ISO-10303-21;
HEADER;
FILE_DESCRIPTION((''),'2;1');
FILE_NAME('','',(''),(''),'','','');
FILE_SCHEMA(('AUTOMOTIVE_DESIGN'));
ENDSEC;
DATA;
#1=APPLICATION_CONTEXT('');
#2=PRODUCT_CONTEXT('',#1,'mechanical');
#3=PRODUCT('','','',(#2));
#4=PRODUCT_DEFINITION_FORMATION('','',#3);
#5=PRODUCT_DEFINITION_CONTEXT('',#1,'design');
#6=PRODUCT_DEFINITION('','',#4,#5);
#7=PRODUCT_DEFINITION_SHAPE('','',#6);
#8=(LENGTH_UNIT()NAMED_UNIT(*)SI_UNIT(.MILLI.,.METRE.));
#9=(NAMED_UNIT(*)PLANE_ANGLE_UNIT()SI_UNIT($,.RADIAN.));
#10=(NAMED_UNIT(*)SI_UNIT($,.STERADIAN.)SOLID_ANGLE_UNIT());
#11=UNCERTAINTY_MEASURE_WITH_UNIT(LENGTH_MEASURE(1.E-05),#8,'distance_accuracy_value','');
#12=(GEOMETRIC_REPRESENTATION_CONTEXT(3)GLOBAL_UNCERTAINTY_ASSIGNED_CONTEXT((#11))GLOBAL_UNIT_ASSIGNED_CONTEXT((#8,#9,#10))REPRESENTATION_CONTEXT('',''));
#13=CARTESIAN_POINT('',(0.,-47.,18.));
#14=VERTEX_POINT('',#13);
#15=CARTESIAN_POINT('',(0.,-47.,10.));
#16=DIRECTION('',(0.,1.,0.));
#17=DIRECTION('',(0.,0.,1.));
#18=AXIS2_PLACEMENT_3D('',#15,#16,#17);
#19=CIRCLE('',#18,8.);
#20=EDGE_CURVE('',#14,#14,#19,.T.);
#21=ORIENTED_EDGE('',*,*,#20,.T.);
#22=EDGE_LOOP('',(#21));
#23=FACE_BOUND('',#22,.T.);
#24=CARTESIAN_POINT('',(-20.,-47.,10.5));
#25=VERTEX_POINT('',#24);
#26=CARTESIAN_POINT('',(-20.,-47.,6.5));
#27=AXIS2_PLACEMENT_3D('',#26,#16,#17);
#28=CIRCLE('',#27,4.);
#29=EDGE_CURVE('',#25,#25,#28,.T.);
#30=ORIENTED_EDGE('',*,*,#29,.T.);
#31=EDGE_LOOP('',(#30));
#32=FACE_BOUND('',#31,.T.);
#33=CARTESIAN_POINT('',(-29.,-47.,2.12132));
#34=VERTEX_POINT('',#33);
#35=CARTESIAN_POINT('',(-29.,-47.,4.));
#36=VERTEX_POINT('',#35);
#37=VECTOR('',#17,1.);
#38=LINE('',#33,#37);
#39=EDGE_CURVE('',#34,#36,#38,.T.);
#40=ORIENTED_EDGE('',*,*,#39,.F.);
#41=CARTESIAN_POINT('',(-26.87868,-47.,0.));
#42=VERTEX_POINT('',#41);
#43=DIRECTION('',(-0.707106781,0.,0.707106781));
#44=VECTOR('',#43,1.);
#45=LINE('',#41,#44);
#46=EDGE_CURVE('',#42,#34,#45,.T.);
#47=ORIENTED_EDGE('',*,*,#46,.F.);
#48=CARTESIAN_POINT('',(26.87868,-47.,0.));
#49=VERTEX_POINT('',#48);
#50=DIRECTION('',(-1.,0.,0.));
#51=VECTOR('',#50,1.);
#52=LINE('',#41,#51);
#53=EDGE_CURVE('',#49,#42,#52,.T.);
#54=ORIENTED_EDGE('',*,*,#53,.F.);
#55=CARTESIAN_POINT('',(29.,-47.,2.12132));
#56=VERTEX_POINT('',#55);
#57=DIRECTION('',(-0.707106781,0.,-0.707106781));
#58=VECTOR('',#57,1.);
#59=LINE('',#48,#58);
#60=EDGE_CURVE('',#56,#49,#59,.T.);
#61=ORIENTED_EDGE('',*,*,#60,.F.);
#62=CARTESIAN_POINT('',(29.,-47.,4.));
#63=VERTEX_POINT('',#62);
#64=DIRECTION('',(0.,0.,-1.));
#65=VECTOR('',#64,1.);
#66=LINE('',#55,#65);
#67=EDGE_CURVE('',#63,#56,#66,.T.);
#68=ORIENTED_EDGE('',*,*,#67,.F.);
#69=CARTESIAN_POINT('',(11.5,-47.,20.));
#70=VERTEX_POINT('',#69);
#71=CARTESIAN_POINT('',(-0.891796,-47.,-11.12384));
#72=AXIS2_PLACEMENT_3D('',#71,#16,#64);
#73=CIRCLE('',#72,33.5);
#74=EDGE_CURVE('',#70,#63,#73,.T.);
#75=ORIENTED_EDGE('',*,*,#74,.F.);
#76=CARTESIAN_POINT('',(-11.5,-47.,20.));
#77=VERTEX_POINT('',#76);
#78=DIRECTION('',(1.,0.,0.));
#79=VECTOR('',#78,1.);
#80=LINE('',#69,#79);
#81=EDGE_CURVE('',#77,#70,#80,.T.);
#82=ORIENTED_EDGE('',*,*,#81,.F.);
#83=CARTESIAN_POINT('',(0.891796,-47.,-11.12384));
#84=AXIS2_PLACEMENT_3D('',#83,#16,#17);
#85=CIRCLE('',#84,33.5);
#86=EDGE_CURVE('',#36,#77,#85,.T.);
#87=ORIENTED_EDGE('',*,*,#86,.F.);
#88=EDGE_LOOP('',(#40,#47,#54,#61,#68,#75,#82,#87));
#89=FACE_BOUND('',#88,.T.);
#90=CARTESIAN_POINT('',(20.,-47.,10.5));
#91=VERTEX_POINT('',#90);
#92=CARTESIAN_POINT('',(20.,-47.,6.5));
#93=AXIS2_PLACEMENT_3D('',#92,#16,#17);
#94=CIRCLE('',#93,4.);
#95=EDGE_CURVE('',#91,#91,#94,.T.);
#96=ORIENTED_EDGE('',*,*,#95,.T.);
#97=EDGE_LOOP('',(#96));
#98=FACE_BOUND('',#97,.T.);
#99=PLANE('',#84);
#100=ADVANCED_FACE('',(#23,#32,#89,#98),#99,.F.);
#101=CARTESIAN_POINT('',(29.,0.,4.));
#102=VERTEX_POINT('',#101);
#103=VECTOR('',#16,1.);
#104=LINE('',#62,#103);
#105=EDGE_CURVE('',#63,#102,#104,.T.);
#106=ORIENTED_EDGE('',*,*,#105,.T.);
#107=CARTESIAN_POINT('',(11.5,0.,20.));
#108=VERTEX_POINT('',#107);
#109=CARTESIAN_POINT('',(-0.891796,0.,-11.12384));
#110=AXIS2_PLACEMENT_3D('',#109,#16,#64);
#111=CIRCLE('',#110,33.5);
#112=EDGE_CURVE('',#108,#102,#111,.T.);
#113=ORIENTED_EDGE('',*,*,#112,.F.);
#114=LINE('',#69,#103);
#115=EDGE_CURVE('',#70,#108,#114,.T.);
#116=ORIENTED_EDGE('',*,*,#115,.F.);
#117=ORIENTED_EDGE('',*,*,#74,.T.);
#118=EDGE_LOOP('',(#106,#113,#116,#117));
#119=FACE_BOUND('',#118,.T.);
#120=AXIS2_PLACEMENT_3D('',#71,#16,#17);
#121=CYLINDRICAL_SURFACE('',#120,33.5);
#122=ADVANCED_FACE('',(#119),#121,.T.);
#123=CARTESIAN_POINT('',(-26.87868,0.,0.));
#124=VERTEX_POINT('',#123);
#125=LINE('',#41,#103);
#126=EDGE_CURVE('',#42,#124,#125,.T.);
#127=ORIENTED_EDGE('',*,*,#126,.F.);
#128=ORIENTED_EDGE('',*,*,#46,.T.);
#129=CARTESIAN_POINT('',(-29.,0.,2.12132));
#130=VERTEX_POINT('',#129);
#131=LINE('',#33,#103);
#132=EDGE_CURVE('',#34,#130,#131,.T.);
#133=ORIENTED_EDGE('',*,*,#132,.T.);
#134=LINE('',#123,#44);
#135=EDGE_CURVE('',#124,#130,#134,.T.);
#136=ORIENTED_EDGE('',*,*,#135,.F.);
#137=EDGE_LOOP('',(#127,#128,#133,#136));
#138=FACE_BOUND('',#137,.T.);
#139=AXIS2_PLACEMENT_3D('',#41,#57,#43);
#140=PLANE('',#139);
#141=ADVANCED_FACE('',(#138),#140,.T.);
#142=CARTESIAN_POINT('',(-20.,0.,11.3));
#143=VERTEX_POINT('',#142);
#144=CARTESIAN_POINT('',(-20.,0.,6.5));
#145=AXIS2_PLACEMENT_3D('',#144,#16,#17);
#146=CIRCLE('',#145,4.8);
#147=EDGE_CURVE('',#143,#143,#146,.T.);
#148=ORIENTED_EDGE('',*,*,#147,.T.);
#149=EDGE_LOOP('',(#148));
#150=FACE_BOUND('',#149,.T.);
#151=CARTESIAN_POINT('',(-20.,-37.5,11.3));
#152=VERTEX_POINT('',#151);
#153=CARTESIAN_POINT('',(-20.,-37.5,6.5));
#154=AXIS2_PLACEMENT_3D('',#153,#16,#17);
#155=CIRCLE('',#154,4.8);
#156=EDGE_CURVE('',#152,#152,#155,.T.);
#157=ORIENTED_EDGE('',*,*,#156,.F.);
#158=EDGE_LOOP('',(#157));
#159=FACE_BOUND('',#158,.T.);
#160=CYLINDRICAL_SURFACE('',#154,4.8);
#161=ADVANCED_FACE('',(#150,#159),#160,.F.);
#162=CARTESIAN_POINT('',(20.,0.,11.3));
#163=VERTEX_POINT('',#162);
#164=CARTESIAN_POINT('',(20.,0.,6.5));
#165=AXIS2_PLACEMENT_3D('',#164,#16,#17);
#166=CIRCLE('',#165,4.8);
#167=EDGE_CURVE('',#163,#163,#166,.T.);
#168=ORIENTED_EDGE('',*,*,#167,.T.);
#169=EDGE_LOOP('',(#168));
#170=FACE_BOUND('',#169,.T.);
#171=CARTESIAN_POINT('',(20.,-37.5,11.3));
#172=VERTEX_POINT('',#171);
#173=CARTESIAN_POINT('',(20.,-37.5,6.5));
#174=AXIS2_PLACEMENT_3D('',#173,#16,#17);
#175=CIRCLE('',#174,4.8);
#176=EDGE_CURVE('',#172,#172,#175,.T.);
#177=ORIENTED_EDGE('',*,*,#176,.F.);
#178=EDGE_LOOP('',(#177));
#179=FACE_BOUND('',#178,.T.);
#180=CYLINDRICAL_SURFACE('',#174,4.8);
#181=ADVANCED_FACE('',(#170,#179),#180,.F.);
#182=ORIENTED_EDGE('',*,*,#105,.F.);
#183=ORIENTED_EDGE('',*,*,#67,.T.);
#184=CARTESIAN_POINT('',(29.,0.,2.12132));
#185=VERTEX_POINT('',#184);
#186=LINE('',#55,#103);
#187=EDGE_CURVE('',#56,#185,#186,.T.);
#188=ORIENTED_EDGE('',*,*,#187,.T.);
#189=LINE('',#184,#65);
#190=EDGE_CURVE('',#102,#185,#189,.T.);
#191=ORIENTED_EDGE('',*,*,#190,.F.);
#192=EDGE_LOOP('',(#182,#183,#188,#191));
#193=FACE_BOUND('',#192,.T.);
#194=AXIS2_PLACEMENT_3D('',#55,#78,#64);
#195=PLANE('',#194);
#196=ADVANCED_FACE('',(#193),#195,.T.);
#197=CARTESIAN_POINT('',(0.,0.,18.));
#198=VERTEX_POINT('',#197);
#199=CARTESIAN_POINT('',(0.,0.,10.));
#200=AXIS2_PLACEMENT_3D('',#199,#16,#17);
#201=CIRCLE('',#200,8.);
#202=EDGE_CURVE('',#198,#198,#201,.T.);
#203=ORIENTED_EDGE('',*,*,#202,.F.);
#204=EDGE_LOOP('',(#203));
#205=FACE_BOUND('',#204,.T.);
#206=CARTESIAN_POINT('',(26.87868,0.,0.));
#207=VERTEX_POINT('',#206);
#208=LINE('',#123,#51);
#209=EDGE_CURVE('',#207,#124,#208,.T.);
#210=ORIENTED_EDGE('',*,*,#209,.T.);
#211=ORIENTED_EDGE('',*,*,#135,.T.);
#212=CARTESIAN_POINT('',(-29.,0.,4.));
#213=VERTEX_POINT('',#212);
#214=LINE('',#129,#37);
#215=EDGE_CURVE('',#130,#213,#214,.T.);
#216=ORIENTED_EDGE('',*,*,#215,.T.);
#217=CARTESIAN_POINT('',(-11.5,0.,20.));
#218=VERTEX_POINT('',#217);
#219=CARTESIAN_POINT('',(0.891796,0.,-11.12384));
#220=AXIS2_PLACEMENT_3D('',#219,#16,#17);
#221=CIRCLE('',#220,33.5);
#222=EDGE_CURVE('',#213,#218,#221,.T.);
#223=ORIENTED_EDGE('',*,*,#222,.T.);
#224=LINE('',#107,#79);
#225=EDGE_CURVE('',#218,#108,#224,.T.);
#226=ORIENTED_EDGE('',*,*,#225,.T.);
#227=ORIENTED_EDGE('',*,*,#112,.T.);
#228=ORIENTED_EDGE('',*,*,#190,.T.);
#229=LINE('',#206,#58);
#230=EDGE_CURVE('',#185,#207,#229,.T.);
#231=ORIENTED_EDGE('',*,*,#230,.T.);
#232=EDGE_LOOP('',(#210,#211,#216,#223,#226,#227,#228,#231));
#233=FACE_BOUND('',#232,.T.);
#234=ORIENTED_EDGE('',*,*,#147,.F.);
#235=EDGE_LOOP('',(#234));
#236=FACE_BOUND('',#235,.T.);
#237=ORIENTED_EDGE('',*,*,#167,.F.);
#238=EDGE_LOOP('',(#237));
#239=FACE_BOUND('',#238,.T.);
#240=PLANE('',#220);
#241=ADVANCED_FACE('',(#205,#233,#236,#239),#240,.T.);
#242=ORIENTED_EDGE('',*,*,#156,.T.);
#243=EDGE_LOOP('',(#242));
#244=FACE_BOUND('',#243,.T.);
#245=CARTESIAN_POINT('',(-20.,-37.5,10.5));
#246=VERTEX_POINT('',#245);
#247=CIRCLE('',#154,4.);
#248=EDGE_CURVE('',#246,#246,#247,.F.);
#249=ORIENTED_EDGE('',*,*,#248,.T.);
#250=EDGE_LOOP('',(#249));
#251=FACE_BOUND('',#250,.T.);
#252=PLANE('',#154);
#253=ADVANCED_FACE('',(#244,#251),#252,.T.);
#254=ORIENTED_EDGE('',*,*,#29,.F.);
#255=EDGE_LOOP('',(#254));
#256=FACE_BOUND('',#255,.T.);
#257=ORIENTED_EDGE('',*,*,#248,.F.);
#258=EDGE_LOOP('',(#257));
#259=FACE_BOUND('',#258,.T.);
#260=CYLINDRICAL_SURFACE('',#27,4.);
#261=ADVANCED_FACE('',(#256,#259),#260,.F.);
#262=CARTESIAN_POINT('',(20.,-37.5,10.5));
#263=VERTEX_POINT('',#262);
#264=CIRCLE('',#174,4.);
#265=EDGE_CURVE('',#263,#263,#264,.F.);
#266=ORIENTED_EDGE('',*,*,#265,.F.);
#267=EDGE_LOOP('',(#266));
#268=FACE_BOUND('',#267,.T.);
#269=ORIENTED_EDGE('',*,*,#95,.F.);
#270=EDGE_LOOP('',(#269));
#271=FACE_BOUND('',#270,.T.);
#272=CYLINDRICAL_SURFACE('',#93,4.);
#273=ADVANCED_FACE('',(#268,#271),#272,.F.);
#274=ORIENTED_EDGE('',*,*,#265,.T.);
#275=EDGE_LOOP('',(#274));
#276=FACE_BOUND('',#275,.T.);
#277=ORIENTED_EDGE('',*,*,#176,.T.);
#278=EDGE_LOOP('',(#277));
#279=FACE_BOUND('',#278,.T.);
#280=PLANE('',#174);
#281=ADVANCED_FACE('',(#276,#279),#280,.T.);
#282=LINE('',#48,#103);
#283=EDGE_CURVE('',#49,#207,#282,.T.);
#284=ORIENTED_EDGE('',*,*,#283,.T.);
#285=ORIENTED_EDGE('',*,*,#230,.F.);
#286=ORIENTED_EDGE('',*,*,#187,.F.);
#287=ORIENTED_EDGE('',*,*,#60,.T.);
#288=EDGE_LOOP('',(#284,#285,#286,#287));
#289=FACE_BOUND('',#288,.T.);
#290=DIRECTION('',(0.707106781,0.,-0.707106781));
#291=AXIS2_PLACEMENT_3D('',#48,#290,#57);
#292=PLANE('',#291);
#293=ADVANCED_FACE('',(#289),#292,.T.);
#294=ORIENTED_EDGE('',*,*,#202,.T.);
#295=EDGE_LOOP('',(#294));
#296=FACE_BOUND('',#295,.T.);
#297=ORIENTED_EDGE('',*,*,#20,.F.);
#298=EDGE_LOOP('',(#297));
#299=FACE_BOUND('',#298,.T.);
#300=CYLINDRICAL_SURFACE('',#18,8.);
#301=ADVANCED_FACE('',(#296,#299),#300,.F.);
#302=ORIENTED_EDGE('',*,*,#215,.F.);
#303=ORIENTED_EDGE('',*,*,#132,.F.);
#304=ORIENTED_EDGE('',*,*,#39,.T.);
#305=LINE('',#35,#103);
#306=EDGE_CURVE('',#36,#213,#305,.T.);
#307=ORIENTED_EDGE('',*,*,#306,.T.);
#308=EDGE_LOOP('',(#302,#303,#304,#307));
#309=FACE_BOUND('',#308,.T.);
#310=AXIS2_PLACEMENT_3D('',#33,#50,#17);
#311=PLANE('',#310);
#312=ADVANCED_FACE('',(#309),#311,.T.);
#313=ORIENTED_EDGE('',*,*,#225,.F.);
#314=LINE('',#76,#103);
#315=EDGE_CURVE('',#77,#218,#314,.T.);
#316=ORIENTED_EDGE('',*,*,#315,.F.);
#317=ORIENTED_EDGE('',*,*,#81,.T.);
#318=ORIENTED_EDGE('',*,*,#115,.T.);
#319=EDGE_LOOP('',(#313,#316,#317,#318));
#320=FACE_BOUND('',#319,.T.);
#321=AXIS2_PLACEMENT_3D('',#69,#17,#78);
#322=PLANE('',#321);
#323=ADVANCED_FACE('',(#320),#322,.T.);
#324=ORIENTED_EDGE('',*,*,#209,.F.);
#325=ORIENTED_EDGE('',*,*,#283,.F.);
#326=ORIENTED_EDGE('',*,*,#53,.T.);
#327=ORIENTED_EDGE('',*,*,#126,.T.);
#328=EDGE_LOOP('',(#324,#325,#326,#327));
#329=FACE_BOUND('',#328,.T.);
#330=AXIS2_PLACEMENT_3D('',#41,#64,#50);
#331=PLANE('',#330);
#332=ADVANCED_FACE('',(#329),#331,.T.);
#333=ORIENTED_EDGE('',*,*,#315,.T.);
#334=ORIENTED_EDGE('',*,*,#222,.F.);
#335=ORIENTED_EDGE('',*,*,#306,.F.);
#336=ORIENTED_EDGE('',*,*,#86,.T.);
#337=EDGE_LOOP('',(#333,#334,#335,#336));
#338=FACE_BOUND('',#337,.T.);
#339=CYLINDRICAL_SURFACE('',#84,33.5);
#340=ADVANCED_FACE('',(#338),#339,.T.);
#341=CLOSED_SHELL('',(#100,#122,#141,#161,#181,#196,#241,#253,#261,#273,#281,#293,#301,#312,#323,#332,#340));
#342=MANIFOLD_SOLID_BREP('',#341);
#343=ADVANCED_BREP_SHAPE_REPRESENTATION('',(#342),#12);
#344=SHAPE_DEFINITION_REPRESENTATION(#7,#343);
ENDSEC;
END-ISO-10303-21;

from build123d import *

# Parameters (mm, degrees)
BOSS_EXTRUDE1_DEPTH = 47
SKETCH2_R           = 4
SKETCH2_R_2         = 8
CUT_EXTRUDE1_DEPTH  = 59.736700622
SKETCH3_R           = 4.8
CUT_EXTRUDE2_DEPTH  = 37.5


with BuildPart() as part:
    # Sketch1 → Boss-Extrude1 (new body)
    with BuildSketch(Plane(origin=(0, 0, 0), x_dir=(1, 0, 0), z_dir=(0, 1, 0))):
        with BuildLine():
            Line((-26.878679656, 0), (26.878679656, 0))
            Line((26.878679656, 0), (29, -2.121320344))
            Line((29, -2.121320344), (29, -4))
            ThreePointArc((29, -4), (21.712972029, -13.600125657), (11.5, -20))
            Line((11.5, -20), (-11.5, -20))
            ThreePointArc((-11.5, -20), (-21.712972029, -13.600125657), (-29, -4))
            Line((-29, -4), (-29, -2.121320344))
            Line((-29, -2.121320344), (-26.878679656, 0))
        make_face()
    extrude(amount=-BOSS_EXTRUDE1_DEPTH)

    # Sketch2 → Cut-Extrude1 (cut, through all)
    with BuildSketch(Plane(origin=(0, 0, 0), x_dir=(1, 0, 0), z_dir=(0, 1, 0))):
        with Locations(Location((-20, -6.5, 0), (0, 0, 270))):
            Circle(SKETCH2_R)
        with Locations(Location((0, -10, 0), (0, 0, 270))):
            Circle(SKETCH2_R_2)
        with Locations(Location((20, -6.5, 0), (0, 0, 270))):
            Circle(SKETCH2_R)
    extrude(amount=-CUT_EXTRUDE1_DEPTH, mode=Mode.SUBTRACT)

    # Sketch3 → Cut-Extrude2 (cut)
    with BuildSketch(Plane(origin=(0, 0, 0), x_dir=(1, 0, 0), z_dir=(0, 1, 0))):
        with Locations(Location((-20, -6.5, 0), (0, 0, 270))):
            Circle(SKETCH3_R)
        with Locations(Location((20, -6.5, 0), (0, 0, 270))):
            Circle(SKETCH3_R)
    extrude(amount=-CUT_EXTRUDE2_DEPTH, mode=Mode.SUBTRACT)


solid = part.part
